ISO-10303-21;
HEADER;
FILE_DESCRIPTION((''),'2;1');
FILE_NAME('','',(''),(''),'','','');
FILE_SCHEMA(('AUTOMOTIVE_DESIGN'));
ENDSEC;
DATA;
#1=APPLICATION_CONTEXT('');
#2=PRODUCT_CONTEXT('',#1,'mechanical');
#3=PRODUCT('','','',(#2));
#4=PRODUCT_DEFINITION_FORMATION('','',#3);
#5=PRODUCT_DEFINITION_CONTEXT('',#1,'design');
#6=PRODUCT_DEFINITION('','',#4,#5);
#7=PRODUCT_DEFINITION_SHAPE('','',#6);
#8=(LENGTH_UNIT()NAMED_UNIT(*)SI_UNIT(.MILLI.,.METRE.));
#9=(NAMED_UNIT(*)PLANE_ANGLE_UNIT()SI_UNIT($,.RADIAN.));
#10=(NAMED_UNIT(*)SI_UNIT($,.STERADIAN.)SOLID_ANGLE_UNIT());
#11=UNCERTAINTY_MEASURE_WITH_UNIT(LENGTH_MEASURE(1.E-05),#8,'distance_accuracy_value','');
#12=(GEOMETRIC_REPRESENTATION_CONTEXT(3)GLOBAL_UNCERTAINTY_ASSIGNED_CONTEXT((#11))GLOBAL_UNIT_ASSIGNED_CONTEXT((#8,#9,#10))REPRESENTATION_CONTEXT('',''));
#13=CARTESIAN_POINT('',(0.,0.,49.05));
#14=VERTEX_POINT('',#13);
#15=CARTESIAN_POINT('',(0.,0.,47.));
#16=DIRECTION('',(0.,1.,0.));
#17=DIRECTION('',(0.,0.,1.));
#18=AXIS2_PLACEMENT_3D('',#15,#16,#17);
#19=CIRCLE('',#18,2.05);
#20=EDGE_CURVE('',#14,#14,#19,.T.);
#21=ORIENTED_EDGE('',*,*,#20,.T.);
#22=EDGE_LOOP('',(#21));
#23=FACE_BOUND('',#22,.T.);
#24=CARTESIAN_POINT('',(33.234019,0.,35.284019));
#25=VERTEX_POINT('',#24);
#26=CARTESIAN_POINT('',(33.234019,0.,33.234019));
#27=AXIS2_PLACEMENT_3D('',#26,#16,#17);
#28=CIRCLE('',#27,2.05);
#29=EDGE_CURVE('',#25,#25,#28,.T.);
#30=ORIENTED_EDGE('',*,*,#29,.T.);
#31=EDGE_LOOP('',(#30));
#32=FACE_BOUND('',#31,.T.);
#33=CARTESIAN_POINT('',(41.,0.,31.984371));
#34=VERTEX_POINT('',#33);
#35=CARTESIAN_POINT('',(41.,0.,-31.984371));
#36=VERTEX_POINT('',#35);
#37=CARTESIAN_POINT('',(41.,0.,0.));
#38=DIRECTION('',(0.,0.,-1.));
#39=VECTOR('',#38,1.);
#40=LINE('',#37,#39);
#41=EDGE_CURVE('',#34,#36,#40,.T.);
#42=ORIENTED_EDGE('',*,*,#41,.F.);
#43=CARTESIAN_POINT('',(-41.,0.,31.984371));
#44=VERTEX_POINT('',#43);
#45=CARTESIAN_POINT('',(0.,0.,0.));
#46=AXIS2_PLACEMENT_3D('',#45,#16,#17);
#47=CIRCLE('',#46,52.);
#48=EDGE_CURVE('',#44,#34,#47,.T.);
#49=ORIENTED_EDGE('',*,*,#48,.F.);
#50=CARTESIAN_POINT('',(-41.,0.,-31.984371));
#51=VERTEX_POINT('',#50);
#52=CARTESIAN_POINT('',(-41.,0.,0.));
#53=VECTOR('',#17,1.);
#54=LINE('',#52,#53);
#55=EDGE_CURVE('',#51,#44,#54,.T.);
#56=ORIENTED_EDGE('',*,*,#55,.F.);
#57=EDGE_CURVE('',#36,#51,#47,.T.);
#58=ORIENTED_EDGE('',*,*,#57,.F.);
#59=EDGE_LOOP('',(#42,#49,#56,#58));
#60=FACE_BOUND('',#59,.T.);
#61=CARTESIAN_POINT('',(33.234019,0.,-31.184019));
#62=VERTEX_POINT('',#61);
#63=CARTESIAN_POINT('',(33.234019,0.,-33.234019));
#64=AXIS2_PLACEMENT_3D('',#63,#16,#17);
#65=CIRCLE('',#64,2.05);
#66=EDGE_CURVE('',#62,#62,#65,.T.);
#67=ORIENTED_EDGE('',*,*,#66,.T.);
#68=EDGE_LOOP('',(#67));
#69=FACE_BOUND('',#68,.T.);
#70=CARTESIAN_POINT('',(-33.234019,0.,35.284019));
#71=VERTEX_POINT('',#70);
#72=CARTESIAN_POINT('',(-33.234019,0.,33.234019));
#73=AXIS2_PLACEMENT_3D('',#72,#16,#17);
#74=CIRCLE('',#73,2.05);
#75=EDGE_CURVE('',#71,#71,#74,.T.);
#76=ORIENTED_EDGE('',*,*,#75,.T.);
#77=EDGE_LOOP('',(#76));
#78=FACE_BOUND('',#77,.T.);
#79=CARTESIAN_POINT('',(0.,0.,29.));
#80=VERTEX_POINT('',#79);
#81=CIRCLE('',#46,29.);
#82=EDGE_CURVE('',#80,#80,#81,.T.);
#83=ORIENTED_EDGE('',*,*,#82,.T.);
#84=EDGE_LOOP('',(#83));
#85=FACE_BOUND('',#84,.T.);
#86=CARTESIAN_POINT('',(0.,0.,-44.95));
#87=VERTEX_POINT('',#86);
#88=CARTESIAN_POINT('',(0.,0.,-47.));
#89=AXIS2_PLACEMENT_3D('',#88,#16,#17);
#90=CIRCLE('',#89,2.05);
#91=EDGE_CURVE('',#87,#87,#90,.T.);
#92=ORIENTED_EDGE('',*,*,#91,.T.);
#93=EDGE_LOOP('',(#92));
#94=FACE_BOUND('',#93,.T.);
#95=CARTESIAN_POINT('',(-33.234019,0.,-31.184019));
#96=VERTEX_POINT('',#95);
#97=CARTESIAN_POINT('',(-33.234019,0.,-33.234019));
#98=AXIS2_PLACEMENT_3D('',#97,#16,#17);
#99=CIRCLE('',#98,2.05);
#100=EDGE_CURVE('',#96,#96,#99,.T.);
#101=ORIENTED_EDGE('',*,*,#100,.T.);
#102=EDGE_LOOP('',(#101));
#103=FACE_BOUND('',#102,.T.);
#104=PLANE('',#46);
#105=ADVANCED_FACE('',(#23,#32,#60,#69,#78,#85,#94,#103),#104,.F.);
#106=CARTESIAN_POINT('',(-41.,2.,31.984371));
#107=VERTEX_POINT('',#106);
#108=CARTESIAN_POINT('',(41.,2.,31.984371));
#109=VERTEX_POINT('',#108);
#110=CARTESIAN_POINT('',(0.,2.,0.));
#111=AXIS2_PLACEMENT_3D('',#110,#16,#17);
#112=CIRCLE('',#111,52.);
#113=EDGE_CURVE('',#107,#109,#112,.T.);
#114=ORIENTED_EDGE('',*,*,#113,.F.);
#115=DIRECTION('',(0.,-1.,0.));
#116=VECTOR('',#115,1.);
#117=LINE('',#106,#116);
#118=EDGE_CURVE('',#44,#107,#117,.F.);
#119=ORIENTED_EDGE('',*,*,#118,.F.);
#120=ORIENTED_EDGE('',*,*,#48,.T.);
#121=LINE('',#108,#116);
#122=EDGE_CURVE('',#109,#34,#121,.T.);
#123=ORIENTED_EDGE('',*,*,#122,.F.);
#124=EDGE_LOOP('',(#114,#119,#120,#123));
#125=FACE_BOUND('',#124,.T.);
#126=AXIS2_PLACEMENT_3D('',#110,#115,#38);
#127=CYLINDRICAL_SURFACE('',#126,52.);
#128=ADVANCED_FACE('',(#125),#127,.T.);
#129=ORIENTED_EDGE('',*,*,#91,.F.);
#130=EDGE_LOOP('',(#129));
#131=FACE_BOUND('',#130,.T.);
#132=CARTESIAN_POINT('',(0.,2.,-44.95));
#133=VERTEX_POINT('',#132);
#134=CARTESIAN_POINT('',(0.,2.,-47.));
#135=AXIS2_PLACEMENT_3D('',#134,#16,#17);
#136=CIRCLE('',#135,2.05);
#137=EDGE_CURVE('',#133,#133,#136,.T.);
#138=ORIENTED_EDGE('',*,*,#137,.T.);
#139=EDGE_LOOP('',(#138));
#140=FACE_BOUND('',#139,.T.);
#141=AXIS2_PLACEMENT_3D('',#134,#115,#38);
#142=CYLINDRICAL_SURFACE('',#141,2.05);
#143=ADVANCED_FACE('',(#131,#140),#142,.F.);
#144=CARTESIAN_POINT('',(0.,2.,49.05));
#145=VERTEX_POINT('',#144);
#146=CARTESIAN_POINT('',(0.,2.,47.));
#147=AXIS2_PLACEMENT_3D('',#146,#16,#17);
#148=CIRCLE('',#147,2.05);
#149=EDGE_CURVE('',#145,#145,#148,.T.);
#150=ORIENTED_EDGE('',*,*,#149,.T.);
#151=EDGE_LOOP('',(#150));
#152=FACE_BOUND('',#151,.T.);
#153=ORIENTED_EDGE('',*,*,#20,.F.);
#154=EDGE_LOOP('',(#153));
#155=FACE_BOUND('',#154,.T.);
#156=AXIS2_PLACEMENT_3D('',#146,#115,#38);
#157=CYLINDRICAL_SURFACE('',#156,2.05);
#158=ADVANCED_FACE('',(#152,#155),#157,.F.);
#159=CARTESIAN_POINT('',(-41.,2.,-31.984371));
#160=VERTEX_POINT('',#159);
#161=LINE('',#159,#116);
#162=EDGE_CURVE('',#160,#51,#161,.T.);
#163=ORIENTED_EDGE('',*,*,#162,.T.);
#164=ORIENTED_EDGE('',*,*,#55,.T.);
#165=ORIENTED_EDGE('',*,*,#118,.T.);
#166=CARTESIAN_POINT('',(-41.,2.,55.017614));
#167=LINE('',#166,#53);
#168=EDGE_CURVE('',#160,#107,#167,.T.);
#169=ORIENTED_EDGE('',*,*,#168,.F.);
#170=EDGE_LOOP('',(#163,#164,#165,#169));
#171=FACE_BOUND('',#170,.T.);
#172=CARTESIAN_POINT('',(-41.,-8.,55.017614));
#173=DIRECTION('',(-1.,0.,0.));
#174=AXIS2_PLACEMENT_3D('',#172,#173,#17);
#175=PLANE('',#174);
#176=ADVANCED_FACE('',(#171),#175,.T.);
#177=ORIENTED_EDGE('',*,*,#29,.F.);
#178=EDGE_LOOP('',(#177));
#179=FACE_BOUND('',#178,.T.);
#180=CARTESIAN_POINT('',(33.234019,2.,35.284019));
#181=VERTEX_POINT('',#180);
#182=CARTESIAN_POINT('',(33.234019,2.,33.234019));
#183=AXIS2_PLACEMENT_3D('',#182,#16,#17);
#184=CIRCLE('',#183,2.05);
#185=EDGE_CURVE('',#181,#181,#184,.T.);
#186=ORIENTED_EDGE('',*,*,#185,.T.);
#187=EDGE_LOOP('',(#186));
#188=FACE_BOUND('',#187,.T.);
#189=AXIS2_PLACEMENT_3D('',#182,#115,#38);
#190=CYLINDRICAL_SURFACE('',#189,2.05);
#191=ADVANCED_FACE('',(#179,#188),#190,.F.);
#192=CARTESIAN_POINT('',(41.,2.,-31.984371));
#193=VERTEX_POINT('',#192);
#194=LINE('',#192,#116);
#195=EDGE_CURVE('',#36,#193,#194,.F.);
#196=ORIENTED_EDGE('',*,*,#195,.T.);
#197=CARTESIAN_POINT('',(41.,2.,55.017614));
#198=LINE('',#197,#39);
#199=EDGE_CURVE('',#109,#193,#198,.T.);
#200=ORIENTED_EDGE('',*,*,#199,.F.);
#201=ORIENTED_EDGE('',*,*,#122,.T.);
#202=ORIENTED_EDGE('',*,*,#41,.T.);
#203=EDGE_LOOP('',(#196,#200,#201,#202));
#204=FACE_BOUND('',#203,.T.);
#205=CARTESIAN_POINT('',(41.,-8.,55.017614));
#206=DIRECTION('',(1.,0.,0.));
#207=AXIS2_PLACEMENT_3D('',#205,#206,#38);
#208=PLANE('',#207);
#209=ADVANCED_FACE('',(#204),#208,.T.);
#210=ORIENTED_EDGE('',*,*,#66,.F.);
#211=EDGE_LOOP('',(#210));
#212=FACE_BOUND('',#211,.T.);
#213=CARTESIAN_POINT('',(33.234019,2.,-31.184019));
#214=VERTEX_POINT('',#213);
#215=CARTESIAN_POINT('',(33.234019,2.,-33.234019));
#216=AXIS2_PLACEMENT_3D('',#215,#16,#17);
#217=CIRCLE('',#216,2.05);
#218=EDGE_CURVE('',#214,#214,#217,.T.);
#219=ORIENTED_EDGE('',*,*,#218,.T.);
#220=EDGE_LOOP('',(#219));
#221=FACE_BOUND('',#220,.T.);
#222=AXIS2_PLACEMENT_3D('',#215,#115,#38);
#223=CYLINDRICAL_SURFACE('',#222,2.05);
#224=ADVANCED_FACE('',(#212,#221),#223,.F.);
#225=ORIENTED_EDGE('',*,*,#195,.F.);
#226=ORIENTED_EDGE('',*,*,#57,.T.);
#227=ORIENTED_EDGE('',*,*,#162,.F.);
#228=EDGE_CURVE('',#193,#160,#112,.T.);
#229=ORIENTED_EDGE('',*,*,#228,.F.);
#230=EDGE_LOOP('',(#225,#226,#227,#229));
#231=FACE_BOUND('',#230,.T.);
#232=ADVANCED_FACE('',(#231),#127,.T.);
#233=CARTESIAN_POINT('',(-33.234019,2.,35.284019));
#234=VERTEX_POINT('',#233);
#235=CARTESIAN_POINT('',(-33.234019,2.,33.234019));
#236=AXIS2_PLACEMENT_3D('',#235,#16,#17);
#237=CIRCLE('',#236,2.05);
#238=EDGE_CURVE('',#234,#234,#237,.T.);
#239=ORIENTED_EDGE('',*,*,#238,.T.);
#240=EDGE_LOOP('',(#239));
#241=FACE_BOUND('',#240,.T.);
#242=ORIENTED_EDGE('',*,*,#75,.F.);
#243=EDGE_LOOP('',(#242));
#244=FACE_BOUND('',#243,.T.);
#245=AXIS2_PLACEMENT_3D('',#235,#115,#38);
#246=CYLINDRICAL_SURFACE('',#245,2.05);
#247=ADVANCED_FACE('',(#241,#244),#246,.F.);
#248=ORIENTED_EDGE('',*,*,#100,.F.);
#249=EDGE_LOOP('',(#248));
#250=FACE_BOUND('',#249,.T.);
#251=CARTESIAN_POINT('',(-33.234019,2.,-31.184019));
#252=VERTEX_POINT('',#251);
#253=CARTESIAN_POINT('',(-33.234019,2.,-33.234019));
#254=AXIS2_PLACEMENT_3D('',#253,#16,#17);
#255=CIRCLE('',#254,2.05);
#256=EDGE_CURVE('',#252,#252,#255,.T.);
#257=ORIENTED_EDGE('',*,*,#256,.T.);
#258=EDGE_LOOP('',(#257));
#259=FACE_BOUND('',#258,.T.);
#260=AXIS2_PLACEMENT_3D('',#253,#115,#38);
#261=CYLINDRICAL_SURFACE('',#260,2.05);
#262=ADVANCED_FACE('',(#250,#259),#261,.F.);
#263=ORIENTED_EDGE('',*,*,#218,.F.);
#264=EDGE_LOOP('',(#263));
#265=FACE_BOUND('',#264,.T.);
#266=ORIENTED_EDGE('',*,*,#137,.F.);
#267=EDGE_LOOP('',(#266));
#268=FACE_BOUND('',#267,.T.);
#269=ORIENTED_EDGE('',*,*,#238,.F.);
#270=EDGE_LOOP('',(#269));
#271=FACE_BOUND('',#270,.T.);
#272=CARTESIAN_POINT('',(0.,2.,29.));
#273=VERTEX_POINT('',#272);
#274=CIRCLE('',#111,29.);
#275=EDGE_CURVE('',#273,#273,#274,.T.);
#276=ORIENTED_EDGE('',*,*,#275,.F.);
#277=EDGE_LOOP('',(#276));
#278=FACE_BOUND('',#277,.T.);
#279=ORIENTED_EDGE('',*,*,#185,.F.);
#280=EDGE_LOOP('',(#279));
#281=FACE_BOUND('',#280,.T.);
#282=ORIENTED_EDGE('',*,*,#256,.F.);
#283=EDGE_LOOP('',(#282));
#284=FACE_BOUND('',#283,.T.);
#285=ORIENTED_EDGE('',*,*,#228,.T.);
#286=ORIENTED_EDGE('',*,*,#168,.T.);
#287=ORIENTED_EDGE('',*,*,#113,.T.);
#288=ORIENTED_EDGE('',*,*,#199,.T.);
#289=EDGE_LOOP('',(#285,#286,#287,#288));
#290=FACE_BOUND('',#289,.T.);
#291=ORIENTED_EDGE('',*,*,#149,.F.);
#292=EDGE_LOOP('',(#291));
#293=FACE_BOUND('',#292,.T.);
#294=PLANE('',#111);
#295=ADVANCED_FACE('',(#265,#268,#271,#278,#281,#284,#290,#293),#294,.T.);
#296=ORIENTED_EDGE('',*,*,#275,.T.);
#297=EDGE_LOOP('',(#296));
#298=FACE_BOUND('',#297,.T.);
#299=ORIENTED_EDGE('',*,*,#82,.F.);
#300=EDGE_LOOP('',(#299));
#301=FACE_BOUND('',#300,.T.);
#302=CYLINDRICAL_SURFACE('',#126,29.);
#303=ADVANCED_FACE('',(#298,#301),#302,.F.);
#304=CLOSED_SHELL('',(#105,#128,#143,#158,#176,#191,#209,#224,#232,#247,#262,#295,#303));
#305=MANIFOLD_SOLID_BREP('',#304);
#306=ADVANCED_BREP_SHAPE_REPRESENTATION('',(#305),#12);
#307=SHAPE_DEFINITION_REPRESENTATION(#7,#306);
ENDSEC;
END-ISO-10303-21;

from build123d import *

# Parameters (mm, degrees)
SKETCH_1_R          = 52
SKETCH_1_R_2        = 29
SKETCH_1_R_3        = 2.05
EXTRUDE_1_DEPTH     = 2
SKETCH_2_W          = 182
SKETCH_2_H          = 210.035227354
SKETCH_2_W_2        = 82
SKETCH_2_H_2        = 110.035227354
CUT_EXTRUDE_1_DEPTH = 10


with BuildPart() as part:
    # 草图1 → 凸台-拉伸1 (new body)
    with BuildSketch(Plane(origin=(0, 0, 0), x_dir=(1, 0, 0), z_dir=(0, 1, 0))):
        with Locations(Location((0, 0, 0), (0, 0, 270))):
            Circle(SKETCH_1_R)
        with Locations(Location((0, 0, 0), (0, 0, 270))):
            Circle(SKETCH_1_R_2, mode=Mode.SUBTRACT)
        with Locations(Location((47, 0, 0), (0, 0, 270))):
            Circle(SKETCH_1_R_3, mode=Mode.SUBTRACT)
        with Locations(Location((33.234018716, -33.234018716, 0), (0, 0, 270))):
            Circle(SKETCH_1_R_3, mode=Mode.SUBTRACT)
        with Locations(Location((0, -47, 0), (0, 0, 270))):
            Circle(SKETCH_1_R_3, mode=Mode.SUBTRACT)
        with Locations(Location((-33.234018716, -33.234018716, 0), (0, 0, 270))):
            Circle(SKETCH_1_R_3, mode=Mode.SUBTRACT)
        with Locations(Location((-47, 0, 0), (0, 0, 270))):
            Circle(SKETCH_1_R_3, mode=Mode.SUBTRACT)
        with Locations(Location((-33.234018716, 33.234018716, 0), (0, 0, 270))):
            Circle(SKETCH_1_R_3, mode=Mode.SUBTRACT)
        with Locations(Location((0, 47, 0), (0, 0, 270))):
            Circle(SKETCH_1_R_3, mode=Mode.SUBTRACT)
        with Locations(Location((33.234018716, 33.234018716, 0), (0, 0, 270))):
            Circle(SKETCH_1_R_3, mode=Mode.SUBTRACT)
    extrude(amount=EXTRUDE_1_DEPTH)

    # 草图2 → 切除-拉伸-薄壁1 (cut)
    with BuildSketch(Plane(origin=(0, 2, 0), x_dir=(1, 0, 0), z_dir=(0, 1, 0))):
        Rectangle(SKETCH_2_W, SKETCH_2_H)
        Rectangle(SKETCH_2_W_2, SKETCH_2_H_2, mode=Mode.SUBTRACT)
    extrude(amount=-CUT_EXTRUDE_1_DEPTH, mode=Mode.SUBTRACT)


solid = part.part
